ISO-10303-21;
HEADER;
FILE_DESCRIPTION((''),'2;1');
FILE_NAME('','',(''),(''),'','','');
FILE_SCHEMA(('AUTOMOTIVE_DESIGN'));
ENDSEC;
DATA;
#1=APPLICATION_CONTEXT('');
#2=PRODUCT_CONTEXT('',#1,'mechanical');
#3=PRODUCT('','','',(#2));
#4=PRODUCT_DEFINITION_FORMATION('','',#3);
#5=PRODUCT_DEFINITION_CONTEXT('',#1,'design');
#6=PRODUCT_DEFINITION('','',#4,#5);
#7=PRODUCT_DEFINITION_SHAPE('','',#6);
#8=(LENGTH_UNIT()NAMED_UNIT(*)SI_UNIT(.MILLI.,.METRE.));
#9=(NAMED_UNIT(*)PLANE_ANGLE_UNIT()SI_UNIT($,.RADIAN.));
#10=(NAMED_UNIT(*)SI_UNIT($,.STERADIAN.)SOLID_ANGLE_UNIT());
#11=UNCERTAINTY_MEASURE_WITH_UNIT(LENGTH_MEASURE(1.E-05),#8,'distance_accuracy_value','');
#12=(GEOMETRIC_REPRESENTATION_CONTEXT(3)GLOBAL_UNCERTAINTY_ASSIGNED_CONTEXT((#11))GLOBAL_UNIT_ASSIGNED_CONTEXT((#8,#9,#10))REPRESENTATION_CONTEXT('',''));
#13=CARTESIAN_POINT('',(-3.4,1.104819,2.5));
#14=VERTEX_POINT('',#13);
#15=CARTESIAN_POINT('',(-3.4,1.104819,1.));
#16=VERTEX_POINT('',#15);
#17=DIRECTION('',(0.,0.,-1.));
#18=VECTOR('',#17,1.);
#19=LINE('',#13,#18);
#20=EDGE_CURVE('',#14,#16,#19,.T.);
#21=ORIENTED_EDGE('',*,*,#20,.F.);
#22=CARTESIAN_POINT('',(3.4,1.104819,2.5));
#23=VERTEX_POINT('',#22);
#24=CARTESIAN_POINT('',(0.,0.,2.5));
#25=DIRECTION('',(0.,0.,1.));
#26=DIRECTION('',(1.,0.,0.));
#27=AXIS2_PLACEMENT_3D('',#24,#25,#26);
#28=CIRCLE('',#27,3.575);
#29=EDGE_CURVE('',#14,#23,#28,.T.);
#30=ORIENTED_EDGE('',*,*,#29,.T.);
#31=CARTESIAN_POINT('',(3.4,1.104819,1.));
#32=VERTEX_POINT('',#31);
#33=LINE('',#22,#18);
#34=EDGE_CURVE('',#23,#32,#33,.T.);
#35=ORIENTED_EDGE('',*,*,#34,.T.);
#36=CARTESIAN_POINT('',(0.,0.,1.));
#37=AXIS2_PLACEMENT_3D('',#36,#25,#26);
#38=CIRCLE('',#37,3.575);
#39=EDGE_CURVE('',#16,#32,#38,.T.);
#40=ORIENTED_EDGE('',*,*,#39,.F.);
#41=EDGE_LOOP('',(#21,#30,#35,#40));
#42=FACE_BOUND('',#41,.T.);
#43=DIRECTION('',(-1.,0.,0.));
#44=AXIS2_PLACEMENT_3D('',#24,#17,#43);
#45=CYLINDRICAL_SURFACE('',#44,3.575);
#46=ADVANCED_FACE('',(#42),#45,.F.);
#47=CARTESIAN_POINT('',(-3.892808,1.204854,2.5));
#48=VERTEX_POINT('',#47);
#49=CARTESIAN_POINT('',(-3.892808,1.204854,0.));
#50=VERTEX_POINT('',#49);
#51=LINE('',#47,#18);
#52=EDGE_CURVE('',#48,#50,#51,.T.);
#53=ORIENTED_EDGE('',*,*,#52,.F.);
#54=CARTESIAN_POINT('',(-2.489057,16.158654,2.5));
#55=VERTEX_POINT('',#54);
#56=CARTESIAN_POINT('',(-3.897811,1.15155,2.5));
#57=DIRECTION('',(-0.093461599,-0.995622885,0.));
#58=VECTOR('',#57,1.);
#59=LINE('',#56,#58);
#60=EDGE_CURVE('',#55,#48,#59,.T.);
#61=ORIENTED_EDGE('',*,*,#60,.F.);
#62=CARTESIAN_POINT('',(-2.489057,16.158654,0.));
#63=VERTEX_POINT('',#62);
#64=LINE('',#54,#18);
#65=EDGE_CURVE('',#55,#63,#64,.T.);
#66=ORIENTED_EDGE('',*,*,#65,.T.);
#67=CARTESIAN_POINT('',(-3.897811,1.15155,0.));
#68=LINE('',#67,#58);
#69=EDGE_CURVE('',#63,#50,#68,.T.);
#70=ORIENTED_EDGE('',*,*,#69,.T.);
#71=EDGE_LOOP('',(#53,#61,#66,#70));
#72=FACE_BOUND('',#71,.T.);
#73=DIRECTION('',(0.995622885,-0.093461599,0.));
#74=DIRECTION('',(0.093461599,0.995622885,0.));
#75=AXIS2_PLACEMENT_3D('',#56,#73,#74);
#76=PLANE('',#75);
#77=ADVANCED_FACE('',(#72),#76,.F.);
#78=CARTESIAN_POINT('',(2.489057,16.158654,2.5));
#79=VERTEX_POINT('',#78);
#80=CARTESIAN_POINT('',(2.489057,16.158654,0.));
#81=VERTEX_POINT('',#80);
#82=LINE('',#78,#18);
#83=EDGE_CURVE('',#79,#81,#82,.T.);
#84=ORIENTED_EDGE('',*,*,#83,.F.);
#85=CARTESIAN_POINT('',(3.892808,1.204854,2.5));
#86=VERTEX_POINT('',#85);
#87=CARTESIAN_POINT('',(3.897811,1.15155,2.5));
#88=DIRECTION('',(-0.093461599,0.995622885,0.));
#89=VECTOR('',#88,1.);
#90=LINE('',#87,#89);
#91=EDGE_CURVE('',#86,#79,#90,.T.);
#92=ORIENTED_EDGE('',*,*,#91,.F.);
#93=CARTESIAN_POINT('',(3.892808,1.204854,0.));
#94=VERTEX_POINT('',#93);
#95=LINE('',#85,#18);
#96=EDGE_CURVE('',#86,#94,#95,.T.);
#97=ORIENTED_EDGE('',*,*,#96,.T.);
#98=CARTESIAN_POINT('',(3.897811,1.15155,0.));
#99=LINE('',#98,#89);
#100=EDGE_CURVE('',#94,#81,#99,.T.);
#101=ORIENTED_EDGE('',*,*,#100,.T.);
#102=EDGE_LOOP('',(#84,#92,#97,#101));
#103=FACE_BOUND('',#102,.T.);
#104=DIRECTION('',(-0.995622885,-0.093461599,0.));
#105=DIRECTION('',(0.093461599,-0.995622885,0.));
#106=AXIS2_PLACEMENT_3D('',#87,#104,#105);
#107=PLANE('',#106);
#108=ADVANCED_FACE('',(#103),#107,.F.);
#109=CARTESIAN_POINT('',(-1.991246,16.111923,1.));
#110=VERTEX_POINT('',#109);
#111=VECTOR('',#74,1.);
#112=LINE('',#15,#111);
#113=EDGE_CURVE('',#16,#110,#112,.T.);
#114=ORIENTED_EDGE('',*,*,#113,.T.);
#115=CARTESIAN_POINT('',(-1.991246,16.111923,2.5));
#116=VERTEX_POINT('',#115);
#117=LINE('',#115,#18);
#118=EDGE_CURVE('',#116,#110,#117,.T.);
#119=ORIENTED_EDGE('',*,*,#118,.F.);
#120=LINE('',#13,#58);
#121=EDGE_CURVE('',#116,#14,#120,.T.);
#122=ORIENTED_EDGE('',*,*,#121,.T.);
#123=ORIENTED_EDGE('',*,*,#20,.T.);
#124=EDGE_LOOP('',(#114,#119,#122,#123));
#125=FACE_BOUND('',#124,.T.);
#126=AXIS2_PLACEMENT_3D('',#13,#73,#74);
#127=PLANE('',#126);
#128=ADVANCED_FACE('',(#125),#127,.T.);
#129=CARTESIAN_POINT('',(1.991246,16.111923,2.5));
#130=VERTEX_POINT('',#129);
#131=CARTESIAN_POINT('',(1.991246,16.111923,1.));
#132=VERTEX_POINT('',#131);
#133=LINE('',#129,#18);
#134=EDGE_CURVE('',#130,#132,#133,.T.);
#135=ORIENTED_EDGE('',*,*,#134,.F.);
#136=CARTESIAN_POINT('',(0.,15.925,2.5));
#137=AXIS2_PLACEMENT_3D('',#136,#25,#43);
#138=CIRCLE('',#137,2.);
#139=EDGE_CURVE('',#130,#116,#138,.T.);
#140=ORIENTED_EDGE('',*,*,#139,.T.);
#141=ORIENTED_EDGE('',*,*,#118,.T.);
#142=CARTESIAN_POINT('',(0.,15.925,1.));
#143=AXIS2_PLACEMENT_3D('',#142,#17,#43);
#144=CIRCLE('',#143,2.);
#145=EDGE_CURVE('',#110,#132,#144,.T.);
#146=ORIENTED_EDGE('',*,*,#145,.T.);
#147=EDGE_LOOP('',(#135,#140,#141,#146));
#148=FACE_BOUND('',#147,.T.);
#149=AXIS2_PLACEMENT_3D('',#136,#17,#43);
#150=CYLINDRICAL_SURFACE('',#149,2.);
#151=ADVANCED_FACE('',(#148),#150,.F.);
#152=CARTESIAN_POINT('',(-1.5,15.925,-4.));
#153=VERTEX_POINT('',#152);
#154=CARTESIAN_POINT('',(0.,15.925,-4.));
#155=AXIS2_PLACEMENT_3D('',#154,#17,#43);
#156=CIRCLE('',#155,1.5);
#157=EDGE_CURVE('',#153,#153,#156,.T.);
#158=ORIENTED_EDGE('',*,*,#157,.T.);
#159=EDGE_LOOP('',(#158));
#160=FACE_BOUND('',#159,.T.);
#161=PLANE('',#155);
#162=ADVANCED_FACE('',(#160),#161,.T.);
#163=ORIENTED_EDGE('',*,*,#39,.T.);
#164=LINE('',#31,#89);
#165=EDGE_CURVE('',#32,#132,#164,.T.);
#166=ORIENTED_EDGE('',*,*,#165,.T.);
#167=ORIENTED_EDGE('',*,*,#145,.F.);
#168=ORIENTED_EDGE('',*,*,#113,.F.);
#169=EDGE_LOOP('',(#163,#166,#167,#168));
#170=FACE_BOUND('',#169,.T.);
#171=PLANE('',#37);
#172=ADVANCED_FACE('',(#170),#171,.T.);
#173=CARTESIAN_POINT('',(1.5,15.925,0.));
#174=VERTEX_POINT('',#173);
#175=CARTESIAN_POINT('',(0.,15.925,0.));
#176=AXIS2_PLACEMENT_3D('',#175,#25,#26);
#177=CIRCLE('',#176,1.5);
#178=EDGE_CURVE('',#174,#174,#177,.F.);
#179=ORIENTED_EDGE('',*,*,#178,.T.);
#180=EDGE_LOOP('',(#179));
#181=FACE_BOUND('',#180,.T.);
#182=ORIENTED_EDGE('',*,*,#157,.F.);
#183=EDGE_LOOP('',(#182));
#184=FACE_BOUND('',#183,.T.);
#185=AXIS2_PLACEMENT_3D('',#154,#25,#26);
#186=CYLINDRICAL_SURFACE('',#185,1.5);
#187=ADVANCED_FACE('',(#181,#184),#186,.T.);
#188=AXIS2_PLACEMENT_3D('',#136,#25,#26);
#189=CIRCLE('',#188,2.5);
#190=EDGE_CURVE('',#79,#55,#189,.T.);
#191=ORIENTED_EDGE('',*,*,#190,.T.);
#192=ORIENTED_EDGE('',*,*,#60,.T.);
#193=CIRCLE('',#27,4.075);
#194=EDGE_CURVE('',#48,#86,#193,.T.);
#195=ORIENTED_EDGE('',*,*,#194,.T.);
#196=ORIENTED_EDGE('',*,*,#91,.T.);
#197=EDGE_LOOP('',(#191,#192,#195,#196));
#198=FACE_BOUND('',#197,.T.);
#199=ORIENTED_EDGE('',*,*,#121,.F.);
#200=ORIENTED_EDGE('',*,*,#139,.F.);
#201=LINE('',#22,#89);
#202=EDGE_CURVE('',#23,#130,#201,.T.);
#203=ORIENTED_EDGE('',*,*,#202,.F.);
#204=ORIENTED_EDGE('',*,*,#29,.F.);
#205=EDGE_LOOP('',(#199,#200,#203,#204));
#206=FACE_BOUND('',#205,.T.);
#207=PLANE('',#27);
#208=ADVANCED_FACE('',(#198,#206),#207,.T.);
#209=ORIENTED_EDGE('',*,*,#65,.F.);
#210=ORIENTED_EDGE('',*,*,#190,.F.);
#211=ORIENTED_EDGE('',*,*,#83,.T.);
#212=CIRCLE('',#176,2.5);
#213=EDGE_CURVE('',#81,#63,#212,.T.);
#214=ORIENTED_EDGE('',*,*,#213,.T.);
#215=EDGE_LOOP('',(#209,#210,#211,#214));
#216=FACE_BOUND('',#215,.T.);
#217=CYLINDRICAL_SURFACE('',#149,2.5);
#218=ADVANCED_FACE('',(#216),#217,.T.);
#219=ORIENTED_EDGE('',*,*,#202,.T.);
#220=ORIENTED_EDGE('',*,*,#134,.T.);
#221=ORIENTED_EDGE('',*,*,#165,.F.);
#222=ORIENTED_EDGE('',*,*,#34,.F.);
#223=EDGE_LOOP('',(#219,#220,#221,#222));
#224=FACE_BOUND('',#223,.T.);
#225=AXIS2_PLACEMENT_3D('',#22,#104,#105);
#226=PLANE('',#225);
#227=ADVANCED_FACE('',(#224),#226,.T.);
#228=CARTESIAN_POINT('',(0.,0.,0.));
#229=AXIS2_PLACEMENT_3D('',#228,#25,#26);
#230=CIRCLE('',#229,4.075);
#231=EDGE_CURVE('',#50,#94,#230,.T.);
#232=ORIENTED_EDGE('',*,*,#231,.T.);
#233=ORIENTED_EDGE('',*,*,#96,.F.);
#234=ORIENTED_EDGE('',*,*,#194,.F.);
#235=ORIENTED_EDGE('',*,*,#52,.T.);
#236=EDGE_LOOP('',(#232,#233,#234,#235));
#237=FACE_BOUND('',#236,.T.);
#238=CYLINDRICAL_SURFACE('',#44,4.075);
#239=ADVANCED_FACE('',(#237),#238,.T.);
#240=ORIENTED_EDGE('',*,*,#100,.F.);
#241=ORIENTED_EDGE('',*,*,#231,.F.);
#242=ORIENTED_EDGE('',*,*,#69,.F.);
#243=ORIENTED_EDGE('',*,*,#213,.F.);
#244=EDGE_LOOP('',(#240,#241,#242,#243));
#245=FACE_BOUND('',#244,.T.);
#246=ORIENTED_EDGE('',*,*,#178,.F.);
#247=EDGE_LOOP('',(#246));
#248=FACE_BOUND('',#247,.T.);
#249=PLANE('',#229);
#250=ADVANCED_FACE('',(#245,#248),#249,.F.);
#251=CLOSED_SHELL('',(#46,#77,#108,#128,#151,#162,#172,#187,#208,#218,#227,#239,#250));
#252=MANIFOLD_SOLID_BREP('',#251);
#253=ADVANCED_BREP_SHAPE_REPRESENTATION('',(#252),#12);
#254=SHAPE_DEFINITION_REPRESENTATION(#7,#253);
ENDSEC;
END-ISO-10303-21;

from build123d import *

# Parameters (mm, degrees)
BOSS_EXTRUDE1_DEPTH = 1
EXTRUDE_THIN1_DEPTH = 2.5
SKETCH2_R           = 1.5
BOSS_EXTRUDE2_DEPTH = 4


with BuildPart() as part:
    # Sketch1 → Boss-Extrude1 (new body)
    with BuildSketch(Plane.XY):
        with BuildLine():
            Line((-3.4, 1.10481899), (-1.99124577, 16.111923197))
            ThreePointArc((-1.99124577, 16.111923197), (0, 17.925), (1.99124577, 16.111923197))
            Line((1.99124577, 16.111923197), (3.4, 1.10481899))
            ThreePointArc((3.4, 1.10481899), (0, -3.575), (-3.4, 1.10481899))
        make_face()
    extrude(amount=BOSS_EXTRUDE1_DEPTH)

    # Sketch1<3> → Extrude-Thin1 (add)
    with BuildSketch(Plane.XY):
        with BuildLine():
            Line((-3.892807616, 1.204854291), (-2.489057213, 16.158653997))
            ThreePointArc((-2.489057213, 16.158653997), (0, 18.425), (2.489057213, 16.158653997))
            Line((2.489057213, 16.158653997), (3.892807616, 1.204854291))
            ThreePointArc((3.892807616, 1.204854291), (0, -4.075), (-3.892807616, 1.204854291))
        make_face()
        with BuildLine():
            Line((-3.4, 1.10481899), (-1.99124577, 16.111923197))
            ThreePointArc((-1.99124577, 16.111923197), (0, 17.925), (1.99124577, 16.111923197))
            Line((1.99124577, 16.111923197), (3.4, 1.10481899))
            ThreePointArc((3.4, 1.10481899), (0, -3.575), (-3.4, 1.10481899))
        make_face(mode=Mode.SUBTRACT)
    extrude(amount=EXTRUDE_THIN1_DEPTH)

    # Sketch2 → Boss-Extrude2 (add)
    with BuildSketch(Plane(origin=(0, 0, 0), x_dir=(-1, 0, 0), z_dir=(0, 0, -1))):
        with Locations((0, 15.925)):
            Circle(SKETCH2_R)
    extrude(amount=BOSS_EXTRUDE2_DEPTH)


solid = part.part
